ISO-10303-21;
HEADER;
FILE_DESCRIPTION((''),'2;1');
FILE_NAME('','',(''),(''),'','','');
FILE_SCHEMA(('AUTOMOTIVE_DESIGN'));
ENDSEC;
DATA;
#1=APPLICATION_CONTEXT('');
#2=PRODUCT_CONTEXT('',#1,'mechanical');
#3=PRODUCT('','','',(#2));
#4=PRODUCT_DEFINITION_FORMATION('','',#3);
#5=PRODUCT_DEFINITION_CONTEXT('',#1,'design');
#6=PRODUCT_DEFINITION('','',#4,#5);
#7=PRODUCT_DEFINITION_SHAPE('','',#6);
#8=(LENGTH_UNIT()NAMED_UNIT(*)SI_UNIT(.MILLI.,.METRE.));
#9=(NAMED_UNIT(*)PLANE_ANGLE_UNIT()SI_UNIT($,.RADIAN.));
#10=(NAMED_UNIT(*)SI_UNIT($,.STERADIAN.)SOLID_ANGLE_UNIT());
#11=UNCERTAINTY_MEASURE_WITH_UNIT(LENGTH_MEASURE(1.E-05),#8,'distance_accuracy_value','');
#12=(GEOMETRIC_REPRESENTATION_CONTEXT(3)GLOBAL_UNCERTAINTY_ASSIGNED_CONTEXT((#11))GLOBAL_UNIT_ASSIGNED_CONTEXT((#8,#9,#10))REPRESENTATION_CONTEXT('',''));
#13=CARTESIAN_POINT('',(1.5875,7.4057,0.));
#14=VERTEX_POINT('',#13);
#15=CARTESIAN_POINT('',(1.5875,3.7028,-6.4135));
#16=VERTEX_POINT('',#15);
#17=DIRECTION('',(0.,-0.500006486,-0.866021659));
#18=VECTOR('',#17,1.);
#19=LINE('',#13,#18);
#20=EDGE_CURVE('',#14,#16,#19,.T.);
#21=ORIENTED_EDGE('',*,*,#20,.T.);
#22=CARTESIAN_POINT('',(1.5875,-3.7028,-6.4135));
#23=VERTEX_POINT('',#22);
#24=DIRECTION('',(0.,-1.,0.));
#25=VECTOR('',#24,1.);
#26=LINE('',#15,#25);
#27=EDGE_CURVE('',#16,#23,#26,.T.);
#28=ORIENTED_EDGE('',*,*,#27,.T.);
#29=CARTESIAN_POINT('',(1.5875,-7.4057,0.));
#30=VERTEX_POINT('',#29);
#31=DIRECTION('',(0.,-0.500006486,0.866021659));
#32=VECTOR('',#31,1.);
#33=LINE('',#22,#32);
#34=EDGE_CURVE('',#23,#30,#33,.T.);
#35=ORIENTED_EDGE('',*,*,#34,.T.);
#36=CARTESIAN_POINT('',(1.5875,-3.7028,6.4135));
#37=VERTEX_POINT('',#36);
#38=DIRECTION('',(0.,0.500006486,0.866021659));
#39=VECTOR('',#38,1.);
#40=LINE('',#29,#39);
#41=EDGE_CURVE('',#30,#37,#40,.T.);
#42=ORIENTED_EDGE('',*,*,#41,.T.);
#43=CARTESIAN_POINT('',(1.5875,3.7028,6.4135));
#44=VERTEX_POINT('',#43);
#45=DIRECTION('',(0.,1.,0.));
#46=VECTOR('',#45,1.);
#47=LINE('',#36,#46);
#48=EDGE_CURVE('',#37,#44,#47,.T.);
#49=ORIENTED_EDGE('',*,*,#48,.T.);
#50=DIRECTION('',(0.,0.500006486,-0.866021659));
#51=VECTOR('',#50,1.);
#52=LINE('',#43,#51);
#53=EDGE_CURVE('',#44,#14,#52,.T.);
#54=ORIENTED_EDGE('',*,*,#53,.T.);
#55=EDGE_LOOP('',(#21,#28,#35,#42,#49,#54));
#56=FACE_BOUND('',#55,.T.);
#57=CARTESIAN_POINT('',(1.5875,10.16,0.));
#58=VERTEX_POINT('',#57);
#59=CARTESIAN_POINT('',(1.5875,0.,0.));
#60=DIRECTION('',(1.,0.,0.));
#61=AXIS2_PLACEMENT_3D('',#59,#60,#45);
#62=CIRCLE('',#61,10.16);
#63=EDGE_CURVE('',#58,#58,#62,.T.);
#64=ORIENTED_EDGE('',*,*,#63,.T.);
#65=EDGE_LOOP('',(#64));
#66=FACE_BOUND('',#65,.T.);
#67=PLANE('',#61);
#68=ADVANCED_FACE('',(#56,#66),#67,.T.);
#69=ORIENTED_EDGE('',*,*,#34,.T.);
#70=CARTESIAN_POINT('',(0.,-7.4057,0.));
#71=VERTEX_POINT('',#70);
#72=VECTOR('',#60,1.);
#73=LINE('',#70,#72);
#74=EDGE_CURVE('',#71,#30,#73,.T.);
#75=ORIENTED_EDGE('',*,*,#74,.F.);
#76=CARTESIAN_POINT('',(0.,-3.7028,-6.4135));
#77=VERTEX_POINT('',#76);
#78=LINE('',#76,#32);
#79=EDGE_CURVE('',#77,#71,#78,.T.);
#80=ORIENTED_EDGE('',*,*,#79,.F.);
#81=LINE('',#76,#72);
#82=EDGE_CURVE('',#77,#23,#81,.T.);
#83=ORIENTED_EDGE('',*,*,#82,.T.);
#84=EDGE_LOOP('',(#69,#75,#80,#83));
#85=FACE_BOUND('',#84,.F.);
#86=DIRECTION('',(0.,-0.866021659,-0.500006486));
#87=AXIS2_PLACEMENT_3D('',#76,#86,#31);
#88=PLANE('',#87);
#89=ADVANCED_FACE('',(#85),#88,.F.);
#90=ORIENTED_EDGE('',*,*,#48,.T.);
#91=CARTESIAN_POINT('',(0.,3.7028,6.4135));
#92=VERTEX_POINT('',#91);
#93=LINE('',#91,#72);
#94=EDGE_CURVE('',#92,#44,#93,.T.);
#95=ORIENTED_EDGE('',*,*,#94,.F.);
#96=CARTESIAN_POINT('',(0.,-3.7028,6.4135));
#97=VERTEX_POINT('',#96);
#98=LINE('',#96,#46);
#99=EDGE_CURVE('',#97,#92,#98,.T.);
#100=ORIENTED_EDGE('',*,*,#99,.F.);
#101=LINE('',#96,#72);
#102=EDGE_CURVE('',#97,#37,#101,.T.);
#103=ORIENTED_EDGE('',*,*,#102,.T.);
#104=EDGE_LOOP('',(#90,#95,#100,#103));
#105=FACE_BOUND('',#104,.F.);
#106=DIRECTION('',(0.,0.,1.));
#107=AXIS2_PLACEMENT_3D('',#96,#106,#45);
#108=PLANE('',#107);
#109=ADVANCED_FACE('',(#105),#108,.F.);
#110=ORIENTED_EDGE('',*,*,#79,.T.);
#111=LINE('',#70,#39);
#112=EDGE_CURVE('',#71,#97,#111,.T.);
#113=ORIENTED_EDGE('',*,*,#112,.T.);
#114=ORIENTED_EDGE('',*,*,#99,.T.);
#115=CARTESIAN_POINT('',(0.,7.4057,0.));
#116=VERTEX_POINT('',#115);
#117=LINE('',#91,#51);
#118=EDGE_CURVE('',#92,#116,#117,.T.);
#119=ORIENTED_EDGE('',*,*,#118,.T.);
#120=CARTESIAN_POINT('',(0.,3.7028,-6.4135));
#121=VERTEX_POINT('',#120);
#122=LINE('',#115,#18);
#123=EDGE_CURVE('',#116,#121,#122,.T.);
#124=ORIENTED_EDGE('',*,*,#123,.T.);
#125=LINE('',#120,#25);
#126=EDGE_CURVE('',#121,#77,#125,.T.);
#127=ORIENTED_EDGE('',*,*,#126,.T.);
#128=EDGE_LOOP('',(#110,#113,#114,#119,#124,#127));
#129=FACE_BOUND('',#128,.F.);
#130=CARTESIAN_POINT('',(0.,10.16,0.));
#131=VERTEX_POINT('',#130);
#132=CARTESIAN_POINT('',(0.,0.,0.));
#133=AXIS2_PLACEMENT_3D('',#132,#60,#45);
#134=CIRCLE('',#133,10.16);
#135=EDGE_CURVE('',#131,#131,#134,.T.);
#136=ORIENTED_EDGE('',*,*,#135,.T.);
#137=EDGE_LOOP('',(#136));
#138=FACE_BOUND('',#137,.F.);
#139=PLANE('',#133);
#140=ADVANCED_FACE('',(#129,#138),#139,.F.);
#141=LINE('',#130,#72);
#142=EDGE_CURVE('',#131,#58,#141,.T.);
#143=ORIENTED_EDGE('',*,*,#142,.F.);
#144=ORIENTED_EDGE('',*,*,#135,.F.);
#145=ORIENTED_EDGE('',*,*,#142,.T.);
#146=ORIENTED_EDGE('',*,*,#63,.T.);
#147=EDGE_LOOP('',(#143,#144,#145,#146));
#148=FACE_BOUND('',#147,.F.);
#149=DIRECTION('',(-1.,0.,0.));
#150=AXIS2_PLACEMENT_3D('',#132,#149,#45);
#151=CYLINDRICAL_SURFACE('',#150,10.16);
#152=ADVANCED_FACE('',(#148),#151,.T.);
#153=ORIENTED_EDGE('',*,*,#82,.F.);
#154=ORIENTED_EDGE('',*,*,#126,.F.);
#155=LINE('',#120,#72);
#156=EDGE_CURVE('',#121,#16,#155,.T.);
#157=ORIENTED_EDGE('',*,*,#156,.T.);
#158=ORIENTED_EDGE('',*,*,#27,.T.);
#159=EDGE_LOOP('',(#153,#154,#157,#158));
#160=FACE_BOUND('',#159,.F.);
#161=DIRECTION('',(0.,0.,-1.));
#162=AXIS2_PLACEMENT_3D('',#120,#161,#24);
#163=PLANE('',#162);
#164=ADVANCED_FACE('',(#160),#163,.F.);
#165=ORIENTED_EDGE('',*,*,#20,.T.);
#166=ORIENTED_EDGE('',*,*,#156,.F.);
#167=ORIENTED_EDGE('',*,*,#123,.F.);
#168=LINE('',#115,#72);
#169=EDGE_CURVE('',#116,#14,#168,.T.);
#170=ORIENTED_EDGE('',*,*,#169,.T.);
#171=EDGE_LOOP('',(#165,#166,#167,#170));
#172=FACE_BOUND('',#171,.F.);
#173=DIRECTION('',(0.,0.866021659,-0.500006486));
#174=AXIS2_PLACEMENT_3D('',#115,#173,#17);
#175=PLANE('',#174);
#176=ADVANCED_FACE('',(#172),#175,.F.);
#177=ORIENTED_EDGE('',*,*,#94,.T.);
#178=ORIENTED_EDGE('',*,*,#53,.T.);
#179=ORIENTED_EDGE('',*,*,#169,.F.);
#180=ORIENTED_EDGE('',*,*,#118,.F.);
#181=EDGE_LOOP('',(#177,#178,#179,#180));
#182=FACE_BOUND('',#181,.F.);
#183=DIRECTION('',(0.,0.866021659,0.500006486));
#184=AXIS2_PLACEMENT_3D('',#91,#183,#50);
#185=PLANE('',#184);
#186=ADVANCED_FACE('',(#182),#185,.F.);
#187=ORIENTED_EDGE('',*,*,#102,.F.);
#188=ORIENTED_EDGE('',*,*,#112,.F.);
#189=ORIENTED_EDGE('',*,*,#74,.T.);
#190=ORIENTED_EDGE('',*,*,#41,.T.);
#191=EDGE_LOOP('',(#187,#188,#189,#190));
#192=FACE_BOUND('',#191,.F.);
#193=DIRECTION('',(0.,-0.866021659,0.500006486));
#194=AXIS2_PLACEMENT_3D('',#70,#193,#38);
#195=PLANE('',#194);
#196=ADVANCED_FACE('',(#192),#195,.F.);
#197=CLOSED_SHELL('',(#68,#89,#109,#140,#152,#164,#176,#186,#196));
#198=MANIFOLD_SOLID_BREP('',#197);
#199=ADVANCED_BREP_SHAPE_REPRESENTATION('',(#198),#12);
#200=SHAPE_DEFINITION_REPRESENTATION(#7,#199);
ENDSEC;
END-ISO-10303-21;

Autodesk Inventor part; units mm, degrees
ref_plane "YZ Plane" through (0, 0, 0) normal (1, 0, 0) x (0, 1, 0)
ref_plane "XZ Plane" through (0, 0, 0) normal (0, 1, 0) x (-1, 0, 0)
ref_plane "XY Plane" through (0, 0, 0) normal (0, 0, 1) x (1, 0, 0)
sketch "Sketch1" plane through (0, 0, 0) normal (1, 0, 0) x (0, 1, 0)
  line L0 (-3.7028, 6.4135) -> (3.7028, 6.4135)
  line L1 (3.7028, 6.4135) -> (7.4057, 0)
  line L2 (7.4057, 0) -> (3.7028, -6.4135)
  line L3 (3.7028, -6.4135) -> (-3.7028, -6.4135)
  line L4 (-3.7028, -6.4135) -> (-7.4057, 0)
  line L5 (-7.4057, 0) -> (-3.7028, 6.4135)
  circle A0 centre (0, 0) radius 10.16
  dimension "d0" = 12.827
  dimension "d1" = 20.32
extrude "Extrusion1" add sketch "Sketch1" along normal blind 1.5875
properties part number "3DPRINT,REVERSERGEAR,SPACER,SHORT" material "ABS Plastic"
